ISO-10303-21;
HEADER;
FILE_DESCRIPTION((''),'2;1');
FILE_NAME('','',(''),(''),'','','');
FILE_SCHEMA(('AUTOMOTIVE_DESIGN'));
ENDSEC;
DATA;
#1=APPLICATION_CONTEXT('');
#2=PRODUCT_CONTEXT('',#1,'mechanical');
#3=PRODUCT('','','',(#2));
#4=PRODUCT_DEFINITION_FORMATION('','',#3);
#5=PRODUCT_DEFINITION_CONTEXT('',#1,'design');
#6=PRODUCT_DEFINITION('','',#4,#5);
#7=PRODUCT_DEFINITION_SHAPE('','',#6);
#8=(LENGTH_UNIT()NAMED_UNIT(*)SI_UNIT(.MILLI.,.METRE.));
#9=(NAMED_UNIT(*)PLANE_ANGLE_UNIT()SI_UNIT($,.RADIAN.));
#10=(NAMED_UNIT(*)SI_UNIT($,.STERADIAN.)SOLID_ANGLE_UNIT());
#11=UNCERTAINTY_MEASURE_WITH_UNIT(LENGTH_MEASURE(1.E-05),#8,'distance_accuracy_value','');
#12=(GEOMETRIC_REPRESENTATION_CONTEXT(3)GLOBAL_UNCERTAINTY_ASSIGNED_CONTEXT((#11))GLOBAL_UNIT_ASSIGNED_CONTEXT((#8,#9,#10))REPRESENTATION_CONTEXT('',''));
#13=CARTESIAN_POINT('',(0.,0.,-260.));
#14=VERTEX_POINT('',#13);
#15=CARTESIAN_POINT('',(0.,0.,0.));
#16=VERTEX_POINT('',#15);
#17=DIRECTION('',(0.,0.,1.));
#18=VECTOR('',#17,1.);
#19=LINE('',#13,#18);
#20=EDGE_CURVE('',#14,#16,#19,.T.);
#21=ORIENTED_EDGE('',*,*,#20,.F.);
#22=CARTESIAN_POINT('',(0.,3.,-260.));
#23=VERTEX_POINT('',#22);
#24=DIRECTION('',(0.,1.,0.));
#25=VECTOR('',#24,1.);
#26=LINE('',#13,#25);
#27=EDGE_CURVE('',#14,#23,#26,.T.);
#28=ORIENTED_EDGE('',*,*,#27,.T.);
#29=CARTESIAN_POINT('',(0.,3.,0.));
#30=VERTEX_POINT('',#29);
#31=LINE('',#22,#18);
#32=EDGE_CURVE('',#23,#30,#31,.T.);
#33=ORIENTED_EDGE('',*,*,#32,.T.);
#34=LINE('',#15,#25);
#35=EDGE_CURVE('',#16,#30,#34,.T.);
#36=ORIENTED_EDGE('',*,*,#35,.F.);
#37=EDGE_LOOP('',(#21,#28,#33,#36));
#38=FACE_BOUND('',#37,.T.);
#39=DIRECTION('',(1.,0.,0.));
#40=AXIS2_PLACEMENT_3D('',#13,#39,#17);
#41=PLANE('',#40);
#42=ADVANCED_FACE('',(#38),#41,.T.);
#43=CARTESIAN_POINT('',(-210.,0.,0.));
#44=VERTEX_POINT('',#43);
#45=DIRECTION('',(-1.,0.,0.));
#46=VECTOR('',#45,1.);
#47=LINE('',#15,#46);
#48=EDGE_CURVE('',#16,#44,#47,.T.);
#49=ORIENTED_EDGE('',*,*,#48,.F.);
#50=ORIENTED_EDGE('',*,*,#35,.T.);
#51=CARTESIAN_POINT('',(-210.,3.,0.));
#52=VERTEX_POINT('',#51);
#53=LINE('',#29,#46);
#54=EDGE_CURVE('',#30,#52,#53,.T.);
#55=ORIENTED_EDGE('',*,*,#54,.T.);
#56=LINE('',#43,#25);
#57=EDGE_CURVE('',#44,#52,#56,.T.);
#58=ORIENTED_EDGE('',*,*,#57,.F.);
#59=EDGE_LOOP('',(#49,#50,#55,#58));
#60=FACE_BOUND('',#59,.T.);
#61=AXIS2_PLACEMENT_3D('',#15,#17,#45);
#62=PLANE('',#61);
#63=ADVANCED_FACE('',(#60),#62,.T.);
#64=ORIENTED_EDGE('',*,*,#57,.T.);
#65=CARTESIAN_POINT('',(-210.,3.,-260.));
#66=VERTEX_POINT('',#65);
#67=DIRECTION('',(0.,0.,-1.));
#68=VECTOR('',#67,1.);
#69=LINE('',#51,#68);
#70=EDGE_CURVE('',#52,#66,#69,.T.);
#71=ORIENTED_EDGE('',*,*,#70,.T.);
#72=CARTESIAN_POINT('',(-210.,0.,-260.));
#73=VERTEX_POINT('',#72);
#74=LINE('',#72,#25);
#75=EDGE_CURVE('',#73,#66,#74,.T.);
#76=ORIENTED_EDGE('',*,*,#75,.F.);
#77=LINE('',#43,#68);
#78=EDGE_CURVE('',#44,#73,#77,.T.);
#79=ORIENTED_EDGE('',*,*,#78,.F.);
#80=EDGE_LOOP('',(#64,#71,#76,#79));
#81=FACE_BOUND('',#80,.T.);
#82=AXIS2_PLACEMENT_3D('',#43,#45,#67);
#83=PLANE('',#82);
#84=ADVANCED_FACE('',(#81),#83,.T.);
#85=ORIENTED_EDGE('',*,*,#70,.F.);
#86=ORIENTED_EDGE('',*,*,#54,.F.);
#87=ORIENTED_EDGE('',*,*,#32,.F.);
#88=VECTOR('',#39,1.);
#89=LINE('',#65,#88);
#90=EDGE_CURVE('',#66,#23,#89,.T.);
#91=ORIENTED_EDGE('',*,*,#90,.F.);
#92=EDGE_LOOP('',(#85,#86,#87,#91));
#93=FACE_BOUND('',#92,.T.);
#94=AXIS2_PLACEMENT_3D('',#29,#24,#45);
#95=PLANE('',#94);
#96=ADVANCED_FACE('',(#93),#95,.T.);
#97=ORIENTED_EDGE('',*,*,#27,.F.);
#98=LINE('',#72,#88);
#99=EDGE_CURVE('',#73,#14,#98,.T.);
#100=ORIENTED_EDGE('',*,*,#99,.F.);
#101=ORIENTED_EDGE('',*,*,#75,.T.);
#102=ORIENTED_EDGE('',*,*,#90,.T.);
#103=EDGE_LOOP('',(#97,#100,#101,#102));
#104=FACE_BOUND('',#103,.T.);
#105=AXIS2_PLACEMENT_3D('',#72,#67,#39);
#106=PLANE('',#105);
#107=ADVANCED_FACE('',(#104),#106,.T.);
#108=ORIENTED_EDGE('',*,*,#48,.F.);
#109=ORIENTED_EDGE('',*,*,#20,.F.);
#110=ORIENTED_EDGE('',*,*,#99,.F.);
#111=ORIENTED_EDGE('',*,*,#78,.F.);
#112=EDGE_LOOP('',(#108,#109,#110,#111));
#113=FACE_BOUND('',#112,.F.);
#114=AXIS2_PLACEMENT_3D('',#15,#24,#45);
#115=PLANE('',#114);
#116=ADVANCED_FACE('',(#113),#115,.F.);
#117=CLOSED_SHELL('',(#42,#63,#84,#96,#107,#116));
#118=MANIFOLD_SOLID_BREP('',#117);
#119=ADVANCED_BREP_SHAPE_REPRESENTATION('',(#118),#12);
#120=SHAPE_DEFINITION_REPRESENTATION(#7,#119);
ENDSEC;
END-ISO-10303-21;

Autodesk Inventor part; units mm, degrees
ref_plane "YZ Plane" through (0, 0, 0) normal (1, 0, 0) x (0, 1, 0)
ref_plane "XZ Plane" through (0, 0, 0) normal (0, 1, 0) x (-1, 0, 0)
ref_plane "XY Plane" through (0, 0, 0) normal (0, 0, 1) x (1, 0, 0)
sketch "Sketch1" plane through (0, 0, 0) normal (0, 1, 0) x (-1, 0, 0)
  line L0 (0, 0) -> (210, 0)
  line L1 (210, 0) -> (210, -260)
  line L2 (210, -260) -> (0, -260)
  line L3 (0, -260) -> (0, 0)
  dimension "d0" = 210
  dimension "d1" = 260
extrude "Extrusion1" add sketch "Sketch1" along normal blind 3
properties part number "Ultibots200x250Glass" material "Glass"
